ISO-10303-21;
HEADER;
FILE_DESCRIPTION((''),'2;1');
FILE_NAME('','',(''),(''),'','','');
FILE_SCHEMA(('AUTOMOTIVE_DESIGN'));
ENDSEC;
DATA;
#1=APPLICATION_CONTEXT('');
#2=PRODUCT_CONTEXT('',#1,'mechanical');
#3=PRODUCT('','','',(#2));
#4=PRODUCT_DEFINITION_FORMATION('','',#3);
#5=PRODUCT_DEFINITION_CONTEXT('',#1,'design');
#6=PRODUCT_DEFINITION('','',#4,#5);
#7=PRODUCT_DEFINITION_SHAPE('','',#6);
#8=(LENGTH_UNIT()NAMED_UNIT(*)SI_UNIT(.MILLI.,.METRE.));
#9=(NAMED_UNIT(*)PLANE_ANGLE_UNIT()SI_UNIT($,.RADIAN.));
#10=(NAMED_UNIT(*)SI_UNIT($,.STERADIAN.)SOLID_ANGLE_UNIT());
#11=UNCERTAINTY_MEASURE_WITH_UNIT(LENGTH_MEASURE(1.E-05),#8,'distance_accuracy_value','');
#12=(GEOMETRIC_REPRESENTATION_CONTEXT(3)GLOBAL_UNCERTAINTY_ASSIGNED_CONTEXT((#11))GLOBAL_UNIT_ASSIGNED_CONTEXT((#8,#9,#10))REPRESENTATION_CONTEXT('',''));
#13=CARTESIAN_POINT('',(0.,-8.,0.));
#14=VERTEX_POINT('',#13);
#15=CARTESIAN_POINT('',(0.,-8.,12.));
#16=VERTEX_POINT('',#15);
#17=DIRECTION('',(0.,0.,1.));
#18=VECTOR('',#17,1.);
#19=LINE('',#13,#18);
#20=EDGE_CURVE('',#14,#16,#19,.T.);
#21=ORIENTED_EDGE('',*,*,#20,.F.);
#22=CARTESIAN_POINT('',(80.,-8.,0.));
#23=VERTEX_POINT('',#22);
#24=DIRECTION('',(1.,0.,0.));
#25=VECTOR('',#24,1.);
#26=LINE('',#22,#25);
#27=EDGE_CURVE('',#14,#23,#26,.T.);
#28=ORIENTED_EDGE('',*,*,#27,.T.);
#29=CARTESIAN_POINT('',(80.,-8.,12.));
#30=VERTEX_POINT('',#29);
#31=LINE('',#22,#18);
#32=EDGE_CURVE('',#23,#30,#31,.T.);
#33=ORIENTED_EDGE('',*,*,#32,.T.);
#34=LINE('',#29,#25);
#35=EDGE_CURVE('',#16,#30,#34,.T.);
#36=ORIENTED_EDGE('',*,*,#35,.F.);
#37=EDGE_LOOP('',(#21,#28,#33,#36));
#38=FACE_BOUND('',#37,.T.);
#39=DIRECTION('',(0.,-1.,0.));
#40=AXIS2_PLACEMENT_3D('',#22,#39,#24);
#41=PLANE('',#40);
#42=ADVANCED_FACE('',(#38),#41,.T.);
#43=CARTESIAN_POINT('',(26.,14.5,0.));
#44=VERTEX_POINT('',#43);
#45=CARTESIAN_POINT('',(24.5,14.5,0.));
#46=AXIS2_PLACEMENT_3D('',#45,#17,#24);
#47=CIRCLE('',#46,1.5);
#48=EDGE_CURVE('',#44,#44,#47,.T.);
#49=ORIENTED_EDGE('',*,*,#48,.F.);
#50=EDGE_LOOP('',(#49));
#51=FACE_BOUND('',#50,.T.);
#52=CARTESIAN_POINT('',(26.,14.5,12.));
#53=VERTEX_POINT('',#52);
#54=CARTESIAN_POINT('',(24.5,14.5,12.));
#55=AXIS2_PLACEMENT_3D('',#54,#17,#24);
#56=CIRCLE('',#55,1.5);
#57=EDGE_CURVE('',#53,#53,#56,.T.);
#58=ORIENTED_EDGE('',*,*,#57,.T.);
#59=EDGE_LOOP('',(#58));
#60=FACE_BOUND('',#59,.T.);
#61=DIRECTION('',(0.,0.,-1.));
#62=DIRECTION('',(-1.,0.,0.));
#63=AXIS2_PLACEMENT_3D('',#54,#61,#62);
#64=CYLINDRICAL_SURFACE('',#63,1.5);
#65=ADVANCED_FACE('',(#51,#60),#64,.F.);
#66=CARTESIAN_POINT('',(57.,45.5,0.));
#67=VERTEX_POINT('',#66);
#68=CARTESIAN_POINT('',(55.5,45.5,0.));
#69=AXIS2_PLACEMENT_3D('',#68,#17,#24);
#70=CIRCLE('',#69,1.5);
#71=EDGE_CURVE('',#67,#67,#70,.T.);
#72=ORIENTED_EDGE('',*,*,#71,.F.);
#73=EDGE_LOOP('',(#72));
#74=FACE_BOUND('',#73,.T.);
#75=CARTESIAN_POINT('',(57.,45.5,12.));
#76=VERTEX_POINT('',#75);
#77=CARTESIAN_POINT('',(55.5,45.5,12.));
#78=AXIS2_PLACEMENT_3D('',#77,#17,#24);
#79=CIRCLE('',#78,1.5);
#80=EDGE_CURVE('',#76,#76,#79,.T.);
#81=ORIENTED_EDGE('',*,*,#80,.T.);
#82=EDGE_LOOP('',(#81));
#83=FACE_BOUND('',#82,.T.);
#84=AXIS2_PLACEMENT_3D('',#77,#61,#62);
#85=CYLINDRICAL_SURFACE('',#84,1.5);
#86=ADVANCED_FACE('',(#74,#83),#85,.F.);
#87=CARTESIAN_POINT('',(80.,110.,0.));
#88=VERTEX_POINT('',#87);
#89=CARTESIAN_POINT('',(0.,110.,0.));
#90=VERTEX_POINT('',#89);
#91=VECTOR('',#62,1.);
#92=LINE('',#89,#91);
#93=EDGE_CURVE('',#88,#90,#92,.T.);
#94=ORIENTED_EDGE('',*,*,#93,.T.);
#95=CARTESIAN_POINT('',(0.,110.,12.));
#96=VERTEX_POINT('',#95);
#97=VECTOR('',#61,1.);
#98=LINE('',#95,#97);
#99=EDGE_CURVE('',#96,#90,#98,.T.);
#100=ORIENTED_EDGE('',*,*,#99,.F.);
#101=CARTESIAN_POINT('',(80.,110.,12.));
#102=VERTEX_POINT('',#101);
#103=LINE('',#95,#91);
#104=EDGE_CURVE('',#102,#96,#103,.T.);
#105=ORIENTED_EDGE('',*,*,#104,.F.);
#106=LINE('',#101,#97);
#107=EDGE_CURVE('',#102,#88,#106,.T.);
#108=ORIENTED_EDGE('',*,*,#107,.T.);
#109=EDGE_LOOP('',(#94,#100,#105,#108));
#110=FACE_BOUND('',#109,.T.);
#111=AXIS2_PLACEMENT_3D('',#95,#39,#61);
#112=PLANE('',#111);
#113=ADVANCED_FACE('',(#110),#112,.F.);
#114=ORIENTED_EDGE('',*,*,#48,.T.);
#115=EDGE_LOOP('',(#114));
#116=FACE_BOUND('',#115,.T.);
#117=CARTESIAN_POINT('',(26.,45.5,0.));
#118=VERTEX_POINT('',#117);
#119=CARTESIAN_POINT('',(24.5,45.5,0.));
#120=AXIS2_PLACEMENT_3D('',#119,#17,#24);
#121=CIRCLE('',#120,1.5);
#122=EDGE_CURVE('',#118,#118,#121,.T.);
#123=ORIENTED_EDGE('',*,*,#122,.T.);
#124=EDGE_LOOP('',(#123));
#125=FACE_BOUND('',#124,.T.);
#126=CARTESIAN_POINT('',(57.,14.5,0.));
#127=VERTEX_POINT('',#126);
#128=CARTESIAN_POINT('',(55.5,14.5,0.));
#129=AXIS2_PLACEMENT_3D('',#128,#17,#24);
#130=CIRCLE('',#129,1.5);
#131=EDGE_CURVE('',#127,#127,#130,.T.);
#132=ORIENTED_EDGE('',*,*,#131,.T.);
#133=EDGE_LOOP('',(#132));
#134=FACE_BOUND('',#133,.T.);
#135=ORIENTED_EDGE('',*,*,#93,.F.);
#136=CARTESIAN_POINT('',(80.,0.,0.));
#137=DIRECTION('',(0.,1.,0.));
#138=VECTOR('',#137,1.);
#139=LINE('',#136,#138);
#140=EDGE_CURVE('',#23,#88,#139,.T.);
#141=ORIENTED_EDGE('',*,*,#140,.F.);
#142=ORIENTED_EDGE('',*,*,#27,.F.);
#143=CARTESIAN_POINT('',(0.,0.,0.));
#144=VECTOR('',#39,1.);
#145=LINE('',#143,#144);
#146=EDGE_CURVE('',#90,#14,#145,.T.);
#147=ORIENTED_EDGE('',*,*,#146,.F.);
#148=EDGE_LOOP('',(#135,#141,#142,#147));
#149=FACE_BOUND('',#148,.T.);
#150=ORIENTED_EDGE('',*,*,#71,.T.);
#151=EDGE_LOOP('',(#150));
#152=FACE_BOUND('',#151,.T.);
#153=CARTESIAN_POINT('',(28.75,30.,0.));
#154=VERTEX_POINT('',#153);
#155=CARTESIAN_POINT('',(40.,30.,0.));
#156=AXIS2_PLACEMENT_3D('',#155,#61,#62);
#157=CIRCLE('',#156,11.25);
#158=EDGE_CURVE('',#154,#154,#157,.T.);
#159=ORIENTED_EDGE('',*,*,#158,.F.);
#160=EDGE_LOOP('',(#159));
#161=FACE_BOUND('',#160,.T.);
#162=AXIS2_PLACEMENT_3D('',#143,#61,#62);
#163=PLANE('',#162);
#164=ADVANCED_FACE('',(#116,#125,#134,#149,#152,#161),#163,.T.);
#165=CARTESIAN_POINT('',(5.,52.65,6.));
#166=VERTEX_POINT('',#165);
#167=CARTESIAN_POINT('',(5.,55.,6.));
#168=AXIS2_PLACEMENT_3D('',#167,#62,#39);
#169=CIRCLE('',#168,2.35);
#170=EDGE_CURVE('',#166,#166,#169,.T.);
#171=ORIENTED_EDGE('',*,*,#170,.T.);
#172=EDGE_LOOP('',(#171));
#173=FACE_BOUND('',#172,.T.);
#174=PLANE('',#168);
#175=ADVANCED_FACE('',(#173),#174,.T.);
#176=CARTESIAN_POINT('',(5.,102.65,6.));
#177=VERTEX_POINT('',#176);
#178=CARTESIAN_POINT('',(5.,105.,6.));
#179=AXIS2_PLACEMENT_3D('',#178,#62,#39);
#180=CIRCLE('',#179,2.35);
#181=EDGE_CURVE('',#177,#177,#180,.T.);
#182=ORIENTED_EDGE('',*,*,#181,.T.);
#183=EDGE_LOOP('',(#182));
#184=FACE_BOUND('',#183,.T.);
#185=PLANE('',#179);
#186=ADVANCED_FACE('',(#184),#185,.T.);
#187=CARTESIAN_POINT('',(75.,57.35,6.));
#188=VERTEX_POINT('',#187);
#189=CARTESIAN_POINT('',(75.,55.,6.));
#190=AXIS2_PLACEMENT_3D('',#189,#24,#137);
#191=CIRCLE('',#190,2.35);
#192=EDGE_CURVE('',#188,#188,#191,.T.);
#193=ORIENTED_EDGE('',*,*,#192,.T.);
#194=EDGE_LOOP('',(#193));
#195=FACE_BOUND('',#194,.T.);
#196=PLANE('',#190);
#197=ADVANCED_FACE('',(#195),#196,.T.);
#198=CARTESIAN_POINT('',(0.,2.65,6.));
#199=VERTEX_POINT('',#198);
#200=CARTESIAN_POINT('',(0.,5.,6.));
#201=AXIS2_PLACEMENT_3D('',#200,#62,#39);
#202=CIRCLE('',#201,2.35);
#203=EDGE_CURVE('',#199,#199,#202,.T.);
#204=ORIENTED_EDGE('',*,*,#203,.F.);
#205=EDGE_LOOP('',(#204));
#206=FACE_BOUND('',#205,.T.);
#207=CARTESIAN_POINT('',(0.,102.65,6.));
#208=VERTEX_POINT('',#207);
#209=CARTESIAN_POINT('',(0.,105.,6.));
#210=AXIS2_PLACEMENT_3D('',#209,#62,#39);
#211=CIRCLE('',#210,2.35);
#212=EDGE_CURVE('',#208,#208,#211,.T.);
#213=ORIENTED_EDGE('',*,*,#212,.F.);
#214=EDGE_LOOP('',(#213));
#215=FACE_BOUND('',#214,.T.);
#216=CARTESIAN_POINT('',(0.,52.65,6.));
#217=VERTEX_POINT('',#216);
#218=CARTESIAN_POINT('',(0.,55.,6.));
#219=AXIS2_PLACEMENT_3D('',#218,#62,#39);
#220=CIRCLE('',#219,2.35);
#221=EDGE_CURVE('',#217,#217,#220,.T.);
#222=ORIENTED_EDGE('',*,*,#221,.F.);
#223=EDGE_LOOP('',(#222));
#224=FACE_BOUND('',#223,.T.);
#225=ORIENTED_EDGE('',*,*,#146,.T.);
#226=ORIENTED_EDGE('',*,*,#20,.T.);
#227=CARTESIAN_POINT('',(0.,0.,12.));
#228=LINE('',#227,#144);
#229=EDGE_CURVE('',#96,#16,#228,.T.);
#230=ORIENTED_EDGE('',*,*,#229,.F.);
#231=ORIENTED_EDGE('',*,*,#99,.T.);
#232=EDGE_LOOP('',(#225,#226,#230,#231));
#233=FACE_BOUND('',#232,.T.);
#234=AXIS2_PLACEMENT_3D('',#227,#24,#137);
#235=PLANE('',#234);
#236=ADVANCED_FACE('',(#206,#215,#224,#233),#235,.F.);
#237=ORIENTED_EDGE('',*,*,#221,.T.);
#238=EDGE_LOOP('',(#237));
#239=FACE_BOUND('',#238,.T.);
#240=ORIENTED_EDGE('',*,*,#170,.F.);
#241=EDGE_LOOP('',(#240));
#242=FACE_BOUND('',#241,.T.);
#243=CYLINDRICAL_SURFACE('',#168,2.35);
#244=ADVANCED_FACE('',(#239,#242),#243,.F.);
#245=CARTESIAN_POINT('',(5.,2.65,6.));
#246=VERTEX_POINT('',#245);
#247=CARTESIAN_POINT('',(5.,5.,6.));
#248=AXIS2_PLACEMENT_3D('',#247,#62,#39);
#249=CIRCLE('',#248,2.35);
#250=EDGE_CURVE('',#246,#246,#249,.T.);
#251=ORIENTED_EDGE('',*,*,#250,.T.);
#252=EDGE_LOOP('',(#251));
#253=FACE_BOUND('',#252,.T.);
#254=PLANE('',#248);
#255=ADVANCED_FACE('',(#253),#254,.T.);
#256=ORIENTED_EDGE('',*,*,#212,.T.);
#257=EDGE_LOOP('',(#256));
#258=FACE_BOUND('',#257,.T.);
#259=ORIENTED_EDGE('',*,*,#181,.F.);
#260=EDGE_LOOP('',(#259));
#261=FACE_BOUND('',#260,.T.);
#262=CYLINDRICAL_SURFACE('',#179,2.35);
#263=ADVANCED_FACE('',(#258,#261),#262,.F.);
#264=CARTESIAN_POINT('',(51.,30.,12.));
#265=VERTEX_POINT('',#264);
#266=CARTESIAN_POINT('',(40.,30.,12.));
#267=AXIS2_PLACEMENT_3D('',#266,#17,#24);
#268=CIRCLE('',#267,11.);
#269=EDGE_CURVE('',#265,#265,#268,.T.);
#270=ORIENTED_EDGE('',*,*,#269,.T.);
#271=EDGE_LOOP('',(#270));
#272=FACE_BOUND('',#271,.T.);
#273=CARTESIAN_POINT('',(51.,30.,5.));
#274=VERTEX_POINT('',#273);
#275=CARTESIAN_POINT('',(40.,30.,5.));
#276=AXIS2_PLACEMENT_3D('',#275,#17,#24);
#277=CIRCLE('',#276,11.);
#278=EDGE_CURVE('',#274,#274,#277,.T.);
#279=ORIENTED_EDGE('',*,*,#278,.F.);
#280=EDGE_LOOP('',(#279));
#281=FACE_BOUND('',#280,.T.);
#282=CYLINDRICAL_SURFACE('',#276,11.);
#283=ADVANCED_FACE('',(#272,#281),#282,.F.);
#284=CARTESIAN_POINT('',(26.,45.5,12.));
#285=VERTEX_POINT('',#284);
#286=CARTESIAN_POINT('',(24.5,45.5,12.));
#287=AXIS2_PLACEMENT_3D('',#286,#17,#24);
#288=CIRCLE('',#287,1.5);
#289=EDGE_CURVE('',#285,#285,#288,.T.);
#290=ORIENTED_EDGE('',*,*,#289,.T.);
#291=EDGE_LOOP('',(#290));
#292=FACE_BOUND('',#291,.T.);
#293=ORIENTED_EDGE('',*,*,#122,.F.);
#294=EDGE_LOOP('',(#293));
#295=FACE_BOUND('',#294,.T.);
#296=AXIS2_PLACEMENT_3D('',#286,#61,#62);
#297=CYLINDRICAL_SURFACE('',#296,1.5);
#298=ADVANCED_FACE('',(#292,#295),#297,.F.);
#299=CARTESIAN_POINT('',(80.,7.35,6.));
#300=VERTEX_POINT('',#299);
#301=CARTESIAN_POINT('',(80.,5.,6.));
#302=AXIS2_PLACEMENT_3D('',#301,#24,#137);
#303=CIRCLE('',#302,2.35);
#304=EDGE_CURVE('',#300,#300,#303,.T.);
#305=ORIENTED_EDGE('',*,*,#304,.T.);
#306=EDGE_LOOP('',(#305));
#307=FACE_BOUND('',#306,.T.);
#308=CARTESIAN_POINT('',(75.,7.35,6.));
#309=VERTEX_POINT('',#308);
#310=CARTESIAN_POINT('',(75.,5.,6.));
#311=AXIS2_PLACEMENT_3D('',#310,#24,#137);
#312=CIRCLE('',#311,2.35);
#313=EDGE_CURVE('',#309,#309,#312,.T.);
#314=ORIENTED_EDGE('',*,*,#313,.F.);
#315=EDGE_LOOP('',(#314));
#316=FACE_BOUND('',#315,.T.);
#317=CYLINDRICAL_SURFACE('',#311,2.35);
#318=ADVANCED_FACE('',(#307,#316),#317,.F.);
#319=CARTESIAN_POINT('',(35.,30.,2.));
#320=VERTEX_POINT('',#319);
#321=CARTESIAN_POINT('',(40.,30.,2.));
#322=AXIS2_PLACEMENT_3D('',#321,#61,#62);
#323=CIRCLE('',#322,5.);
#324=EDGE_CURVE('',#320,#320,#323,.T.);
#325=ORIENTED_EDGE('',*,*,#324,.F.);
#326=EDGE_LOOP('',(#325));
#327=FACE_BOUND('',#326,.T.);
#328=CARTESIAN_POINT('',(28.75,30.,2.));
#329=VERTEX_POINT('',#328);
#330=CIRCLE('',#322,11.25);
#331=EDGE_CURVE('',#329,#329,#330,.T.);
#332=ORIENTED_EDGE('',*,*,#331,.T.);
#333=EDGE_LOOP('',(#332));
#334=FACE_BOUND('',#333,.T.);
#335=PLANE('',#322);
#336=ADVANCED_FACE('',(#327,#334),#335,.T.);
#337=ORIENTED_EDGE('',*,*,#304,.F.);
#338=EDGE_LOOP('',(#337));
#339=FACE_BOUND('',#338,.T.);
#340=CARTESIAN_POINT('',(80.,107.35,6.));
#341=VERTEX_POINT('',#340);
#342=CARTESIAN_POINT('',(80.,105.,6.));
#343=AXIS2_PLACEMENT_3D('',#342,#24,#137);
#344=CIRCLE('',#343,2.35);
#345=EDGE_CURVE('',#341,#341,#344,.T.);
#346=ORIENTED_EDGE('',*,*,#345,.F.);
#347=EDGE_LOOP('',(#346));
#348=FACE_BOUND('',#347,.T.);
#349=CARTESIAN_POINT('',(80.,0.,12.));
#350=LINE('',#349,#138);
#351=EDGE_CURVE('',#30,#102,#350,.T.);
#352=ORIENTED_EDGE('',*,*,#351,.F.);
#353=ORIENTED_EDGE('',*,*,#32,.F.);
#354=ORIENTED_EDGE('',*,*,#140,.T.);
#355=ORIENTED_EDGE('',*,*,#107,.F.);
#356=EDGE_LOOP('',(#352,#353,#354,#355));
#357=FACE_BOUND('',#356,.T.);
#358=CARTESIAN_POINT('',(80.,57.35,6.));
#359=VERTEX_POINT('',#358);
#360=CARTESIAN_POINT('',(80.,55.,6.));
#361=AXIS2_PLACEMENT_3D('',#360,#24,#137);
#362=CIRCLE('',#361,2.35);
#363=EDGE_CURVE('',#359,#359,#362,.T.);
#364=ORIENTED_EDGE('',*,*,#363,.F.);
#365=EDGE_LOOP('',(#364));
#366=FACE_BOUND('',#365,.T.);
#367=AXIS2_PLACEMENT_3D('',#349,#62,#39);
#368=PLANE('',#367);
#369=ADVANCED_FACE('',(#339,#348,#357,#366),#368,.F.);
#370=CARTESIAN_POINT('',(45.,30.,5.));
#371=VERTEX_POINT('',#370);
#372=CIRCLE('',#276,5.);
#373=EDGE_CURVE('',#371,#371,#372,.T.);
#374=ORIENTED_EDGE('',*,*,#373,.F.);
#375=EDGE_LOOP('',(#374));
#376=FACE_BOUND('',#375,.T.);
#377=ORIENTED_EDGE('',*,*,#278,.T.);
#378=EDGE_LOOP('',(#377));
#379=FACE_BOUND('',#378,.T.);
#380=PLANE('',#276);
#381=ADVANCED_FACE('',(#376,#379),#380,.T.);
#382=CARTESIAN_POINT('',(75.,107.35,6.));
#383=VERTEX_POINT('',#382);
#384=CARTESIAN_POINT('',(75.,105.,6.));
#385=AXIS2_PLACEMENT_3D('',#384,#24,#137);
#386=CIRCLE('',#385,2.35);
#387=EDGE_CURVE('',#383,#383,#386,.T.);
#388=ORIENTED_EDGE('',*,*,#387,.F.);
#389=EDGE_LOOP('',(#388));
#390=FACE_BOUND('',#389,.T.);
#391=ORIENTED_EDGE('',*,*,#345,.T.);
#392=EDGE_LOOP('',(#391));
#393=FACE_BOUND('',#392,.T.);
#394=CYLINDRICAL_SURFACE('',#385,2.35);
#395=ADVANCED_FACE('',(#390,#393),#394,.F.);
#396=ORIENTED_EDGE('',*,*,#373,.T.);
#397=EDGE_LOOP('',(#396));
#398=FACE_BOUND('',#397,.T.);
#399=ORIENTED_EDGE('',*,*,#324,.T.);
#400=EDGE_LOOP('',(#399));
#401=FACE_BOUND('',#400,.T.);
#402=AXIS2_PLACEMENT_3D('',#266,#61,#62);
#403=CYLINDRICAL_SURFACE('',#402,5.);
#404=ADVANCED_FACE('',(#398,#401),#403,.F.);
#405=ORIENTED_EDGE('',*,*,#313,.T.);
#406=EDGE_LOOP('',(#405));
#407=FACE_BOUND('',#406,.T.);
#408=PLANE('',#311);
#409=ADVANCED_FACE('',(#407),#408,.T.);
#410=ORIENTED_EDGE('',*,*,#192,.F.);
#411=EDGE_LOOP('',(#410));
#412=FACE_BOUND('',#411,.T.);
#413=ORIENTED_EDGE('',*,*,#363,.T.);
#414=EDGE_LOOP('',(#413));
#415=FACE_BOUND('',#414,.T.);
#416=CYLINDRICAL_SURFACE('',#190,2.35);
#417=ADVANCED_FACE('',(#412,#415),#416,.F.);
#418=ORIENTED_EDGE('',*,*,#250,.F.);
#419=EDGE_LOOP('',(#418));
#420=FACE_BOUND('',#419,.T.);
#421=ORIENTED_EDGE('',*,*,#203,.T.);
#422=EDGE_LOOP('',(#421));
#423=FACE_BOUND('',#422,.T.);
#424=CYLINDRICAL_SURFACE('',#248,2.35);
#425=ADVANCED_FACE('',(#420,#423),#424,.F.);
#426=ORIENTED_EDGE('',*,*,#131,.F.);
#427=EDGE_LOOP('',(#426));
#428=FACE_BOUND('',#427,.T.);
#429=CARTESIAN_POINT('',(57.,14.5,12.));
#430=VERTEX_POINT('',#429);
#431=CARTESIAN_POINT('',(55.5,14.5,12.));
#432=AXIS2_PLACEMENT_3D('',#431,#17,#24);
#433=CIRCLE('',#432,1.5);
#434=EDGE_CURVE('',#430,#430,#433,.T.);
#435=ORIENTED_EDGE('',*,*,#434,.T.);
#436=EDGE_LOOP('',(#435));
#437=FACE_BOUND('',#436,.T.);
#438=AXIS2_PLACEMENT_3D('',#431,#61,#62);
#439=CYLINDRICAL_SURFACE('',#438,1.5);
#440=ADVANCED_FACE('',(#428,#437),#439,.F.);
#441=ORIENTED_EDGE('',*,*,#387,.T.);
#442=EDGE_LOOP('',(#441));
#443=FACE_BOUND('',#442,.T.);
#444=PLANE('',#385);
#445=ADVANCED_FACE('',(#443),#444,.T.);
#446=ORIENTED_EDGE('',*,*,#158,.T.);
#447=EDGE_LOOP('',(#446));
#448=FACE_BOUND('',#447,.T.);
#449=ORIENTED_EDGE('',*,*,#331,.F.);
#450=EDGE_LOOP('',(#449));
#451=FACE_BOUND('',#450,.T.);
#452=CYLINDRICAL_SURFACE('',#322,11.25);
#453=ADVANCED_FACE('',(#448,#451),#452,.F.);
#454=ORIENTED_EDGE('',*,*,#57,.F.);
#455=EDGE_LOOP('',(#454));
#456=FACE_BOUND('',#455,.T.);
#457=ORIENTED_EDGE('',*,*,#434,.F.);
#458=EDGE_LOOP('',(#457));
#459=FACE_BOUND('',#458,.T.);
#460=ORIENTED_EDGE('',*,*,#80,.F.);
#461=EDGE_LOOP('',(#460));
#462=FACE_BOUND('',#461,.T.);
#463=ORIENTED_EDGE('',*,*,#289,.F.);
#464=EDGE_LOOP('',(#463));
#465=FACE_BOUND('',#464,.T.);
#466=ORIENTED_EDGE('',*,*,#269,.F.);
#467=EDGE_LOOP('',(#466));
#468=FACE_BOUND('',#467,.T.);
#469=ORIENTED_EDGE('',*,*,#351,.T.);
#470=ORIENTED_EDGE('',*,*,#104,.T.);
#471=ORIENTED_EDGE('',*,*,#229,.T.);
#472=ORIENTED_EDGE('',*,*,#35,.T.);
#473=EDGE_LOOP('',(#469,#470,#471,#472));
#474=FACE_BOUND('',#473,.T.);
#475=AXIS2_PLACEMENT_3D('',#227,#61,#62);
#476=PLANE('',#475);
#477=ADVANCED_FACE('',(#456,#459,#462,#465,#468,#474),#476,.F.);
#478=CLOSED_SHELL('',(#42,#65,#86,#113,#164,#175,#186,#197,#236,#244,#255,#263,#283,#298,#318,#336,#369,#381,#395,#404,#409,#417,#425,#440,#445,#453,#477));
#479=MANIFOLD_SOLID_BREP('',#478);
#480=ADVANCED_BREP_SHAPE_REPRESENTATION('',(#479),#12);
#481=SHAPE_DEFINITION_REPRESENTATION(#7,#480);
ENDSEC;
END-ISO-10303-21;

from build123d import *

# Parameters (mm, degrees)
CROQUIS1_W              = 80
CROQUIS1_H              = 110
CROQUIS1_R              = 5
CROQUIS1_R_2            = 1.5
SALIENTE_EXTRUIR1_DEPTH = 12
CROQUIS4_R              = 11.25
CORTAR_EXTRUIR2_DEPTH   = 2
CROQUIS5_R              = 2.35
CORTAR_EXTRUIR3_DEPTH   = 5
CORTAR_EXTRUIR4_START   = -5
CROQUIS6_R              = 2.35
CORTAR_EXTRUIR4_DEPTH   = 5
CROQUIS7_R              = 11
CORTAR_EXTRUIR5_DEPTH   = 7
CROQUIS8_W              = 80
CROQUIS8_H              = 8
SALIENTE_EXTRUIR2_DEPTH = 12


with BuildPart() as part:
    # Croquis1 → Saliente-Extruir1 (new body)
    with BuildSketch(Plane.XY):
        with Locations((40, 55)):
            Rectangle(CROQUIS1_W, CROQUIS1_H)
        with Locations((40, 30)):
            Circle(CROQUIS1_R, mode=Mode.SUBTRACT)
        with Locations((55.5, 45.5)):
            Circle(CROQUIS1_R_2, mode=Mode.SUBTRACT)
        with Locations((24.5, 45.5)):
            Circle(CROQUIS1_R_2, mode=Mode.SUBTRACT)
        with Locations((24.5, 14.5)):
            Circle(CROQUIS1_R_2, mode=Mode.SUBTRACT)
        with Locations((55.5, 14.5)):
            Circle(CROQUIS1_R_2, mode=Mode.SUBTRACT)
    extrude(amount=SALIENTE_EXTRUIR1_DEPTH)

    # Croquis4 → Cortar-Extruir2 (cut)
    with BuildSketch(Plane(origin=(0, 0, 0), x_dir=(-1, 0, 0), z_dir=(0, 0, -1))):
        with Locations((-40, 30)):
            Circle(CROQUIS4_R)
    extrude(amount=-CORTAR_EXTRUIR2_DEPTH, mode=Mode.SUBTRACT)

    # Croquis5 → Cortar-Extruir3 (cut)
    with BuildSketch(Plane(origin=(80, 0, 0), x_dir=(0, 0, -1), z_dir=(1, 0, 0))):
        with Locations(Location((-6, 105, 0), (0, 0, 90))):
            Circle(CROQUIS5_R)
        with Locations(Location((-6, 55, 0), (0, 0, 90))):
            Circle(CROQUIS5_R)
        with Locations(Location((-6, 5, 0), (0, 0, 90))):
            Circle(CROQUIS5_R)
    extrude(amount=-CORTAR_EXTRUIR3_DEPTH, mode=Mode.SUBTRACT)

    # Croquis6 → Cortar-Extruir4 (cut)
    with BuildSketch(Plane.ZY.offset(CORTAR_EXTRUIR4_START)):
        with Locations(Location((6, 105, 0), (0, 0, 90))):
            Circle(CROQUIS6_R)
        with Locations(Location((6, 55, 0), (0, 0, 90))):
            Circle(CROQUIS6_R)
        with Locations(Location((6, 5, 0), (0, 0, 90))):
            Circle(CROQUIS6_R)
    extrude(amount=CORTAR_EXTRUIR4_DEPTH, mode=Mode.SUBTRACT)

    # Croquis7 → Cortar-Extruir5 (cut)
    with BuildSketch(Plane.XY.offset(12)):
        with Locations((40, 30)):
            Circle(CROQUIS7_R)
    extrude(amount=-CORTAR_EXTRUIR5_DEPTH, mode=Mode.SUBTRACT)

    # Croquis8 → Saliente-Extruir2 (add)
    with BuildSketch(Plane.XY.offset(12)):
        with Locations((40, -4)):
            Rectangle(CROQUIS8_W, CROQUIS8_H)
    extrude(amount=-SALIENTE_EXTRUIR2_DEPTH)


solid = part.part
